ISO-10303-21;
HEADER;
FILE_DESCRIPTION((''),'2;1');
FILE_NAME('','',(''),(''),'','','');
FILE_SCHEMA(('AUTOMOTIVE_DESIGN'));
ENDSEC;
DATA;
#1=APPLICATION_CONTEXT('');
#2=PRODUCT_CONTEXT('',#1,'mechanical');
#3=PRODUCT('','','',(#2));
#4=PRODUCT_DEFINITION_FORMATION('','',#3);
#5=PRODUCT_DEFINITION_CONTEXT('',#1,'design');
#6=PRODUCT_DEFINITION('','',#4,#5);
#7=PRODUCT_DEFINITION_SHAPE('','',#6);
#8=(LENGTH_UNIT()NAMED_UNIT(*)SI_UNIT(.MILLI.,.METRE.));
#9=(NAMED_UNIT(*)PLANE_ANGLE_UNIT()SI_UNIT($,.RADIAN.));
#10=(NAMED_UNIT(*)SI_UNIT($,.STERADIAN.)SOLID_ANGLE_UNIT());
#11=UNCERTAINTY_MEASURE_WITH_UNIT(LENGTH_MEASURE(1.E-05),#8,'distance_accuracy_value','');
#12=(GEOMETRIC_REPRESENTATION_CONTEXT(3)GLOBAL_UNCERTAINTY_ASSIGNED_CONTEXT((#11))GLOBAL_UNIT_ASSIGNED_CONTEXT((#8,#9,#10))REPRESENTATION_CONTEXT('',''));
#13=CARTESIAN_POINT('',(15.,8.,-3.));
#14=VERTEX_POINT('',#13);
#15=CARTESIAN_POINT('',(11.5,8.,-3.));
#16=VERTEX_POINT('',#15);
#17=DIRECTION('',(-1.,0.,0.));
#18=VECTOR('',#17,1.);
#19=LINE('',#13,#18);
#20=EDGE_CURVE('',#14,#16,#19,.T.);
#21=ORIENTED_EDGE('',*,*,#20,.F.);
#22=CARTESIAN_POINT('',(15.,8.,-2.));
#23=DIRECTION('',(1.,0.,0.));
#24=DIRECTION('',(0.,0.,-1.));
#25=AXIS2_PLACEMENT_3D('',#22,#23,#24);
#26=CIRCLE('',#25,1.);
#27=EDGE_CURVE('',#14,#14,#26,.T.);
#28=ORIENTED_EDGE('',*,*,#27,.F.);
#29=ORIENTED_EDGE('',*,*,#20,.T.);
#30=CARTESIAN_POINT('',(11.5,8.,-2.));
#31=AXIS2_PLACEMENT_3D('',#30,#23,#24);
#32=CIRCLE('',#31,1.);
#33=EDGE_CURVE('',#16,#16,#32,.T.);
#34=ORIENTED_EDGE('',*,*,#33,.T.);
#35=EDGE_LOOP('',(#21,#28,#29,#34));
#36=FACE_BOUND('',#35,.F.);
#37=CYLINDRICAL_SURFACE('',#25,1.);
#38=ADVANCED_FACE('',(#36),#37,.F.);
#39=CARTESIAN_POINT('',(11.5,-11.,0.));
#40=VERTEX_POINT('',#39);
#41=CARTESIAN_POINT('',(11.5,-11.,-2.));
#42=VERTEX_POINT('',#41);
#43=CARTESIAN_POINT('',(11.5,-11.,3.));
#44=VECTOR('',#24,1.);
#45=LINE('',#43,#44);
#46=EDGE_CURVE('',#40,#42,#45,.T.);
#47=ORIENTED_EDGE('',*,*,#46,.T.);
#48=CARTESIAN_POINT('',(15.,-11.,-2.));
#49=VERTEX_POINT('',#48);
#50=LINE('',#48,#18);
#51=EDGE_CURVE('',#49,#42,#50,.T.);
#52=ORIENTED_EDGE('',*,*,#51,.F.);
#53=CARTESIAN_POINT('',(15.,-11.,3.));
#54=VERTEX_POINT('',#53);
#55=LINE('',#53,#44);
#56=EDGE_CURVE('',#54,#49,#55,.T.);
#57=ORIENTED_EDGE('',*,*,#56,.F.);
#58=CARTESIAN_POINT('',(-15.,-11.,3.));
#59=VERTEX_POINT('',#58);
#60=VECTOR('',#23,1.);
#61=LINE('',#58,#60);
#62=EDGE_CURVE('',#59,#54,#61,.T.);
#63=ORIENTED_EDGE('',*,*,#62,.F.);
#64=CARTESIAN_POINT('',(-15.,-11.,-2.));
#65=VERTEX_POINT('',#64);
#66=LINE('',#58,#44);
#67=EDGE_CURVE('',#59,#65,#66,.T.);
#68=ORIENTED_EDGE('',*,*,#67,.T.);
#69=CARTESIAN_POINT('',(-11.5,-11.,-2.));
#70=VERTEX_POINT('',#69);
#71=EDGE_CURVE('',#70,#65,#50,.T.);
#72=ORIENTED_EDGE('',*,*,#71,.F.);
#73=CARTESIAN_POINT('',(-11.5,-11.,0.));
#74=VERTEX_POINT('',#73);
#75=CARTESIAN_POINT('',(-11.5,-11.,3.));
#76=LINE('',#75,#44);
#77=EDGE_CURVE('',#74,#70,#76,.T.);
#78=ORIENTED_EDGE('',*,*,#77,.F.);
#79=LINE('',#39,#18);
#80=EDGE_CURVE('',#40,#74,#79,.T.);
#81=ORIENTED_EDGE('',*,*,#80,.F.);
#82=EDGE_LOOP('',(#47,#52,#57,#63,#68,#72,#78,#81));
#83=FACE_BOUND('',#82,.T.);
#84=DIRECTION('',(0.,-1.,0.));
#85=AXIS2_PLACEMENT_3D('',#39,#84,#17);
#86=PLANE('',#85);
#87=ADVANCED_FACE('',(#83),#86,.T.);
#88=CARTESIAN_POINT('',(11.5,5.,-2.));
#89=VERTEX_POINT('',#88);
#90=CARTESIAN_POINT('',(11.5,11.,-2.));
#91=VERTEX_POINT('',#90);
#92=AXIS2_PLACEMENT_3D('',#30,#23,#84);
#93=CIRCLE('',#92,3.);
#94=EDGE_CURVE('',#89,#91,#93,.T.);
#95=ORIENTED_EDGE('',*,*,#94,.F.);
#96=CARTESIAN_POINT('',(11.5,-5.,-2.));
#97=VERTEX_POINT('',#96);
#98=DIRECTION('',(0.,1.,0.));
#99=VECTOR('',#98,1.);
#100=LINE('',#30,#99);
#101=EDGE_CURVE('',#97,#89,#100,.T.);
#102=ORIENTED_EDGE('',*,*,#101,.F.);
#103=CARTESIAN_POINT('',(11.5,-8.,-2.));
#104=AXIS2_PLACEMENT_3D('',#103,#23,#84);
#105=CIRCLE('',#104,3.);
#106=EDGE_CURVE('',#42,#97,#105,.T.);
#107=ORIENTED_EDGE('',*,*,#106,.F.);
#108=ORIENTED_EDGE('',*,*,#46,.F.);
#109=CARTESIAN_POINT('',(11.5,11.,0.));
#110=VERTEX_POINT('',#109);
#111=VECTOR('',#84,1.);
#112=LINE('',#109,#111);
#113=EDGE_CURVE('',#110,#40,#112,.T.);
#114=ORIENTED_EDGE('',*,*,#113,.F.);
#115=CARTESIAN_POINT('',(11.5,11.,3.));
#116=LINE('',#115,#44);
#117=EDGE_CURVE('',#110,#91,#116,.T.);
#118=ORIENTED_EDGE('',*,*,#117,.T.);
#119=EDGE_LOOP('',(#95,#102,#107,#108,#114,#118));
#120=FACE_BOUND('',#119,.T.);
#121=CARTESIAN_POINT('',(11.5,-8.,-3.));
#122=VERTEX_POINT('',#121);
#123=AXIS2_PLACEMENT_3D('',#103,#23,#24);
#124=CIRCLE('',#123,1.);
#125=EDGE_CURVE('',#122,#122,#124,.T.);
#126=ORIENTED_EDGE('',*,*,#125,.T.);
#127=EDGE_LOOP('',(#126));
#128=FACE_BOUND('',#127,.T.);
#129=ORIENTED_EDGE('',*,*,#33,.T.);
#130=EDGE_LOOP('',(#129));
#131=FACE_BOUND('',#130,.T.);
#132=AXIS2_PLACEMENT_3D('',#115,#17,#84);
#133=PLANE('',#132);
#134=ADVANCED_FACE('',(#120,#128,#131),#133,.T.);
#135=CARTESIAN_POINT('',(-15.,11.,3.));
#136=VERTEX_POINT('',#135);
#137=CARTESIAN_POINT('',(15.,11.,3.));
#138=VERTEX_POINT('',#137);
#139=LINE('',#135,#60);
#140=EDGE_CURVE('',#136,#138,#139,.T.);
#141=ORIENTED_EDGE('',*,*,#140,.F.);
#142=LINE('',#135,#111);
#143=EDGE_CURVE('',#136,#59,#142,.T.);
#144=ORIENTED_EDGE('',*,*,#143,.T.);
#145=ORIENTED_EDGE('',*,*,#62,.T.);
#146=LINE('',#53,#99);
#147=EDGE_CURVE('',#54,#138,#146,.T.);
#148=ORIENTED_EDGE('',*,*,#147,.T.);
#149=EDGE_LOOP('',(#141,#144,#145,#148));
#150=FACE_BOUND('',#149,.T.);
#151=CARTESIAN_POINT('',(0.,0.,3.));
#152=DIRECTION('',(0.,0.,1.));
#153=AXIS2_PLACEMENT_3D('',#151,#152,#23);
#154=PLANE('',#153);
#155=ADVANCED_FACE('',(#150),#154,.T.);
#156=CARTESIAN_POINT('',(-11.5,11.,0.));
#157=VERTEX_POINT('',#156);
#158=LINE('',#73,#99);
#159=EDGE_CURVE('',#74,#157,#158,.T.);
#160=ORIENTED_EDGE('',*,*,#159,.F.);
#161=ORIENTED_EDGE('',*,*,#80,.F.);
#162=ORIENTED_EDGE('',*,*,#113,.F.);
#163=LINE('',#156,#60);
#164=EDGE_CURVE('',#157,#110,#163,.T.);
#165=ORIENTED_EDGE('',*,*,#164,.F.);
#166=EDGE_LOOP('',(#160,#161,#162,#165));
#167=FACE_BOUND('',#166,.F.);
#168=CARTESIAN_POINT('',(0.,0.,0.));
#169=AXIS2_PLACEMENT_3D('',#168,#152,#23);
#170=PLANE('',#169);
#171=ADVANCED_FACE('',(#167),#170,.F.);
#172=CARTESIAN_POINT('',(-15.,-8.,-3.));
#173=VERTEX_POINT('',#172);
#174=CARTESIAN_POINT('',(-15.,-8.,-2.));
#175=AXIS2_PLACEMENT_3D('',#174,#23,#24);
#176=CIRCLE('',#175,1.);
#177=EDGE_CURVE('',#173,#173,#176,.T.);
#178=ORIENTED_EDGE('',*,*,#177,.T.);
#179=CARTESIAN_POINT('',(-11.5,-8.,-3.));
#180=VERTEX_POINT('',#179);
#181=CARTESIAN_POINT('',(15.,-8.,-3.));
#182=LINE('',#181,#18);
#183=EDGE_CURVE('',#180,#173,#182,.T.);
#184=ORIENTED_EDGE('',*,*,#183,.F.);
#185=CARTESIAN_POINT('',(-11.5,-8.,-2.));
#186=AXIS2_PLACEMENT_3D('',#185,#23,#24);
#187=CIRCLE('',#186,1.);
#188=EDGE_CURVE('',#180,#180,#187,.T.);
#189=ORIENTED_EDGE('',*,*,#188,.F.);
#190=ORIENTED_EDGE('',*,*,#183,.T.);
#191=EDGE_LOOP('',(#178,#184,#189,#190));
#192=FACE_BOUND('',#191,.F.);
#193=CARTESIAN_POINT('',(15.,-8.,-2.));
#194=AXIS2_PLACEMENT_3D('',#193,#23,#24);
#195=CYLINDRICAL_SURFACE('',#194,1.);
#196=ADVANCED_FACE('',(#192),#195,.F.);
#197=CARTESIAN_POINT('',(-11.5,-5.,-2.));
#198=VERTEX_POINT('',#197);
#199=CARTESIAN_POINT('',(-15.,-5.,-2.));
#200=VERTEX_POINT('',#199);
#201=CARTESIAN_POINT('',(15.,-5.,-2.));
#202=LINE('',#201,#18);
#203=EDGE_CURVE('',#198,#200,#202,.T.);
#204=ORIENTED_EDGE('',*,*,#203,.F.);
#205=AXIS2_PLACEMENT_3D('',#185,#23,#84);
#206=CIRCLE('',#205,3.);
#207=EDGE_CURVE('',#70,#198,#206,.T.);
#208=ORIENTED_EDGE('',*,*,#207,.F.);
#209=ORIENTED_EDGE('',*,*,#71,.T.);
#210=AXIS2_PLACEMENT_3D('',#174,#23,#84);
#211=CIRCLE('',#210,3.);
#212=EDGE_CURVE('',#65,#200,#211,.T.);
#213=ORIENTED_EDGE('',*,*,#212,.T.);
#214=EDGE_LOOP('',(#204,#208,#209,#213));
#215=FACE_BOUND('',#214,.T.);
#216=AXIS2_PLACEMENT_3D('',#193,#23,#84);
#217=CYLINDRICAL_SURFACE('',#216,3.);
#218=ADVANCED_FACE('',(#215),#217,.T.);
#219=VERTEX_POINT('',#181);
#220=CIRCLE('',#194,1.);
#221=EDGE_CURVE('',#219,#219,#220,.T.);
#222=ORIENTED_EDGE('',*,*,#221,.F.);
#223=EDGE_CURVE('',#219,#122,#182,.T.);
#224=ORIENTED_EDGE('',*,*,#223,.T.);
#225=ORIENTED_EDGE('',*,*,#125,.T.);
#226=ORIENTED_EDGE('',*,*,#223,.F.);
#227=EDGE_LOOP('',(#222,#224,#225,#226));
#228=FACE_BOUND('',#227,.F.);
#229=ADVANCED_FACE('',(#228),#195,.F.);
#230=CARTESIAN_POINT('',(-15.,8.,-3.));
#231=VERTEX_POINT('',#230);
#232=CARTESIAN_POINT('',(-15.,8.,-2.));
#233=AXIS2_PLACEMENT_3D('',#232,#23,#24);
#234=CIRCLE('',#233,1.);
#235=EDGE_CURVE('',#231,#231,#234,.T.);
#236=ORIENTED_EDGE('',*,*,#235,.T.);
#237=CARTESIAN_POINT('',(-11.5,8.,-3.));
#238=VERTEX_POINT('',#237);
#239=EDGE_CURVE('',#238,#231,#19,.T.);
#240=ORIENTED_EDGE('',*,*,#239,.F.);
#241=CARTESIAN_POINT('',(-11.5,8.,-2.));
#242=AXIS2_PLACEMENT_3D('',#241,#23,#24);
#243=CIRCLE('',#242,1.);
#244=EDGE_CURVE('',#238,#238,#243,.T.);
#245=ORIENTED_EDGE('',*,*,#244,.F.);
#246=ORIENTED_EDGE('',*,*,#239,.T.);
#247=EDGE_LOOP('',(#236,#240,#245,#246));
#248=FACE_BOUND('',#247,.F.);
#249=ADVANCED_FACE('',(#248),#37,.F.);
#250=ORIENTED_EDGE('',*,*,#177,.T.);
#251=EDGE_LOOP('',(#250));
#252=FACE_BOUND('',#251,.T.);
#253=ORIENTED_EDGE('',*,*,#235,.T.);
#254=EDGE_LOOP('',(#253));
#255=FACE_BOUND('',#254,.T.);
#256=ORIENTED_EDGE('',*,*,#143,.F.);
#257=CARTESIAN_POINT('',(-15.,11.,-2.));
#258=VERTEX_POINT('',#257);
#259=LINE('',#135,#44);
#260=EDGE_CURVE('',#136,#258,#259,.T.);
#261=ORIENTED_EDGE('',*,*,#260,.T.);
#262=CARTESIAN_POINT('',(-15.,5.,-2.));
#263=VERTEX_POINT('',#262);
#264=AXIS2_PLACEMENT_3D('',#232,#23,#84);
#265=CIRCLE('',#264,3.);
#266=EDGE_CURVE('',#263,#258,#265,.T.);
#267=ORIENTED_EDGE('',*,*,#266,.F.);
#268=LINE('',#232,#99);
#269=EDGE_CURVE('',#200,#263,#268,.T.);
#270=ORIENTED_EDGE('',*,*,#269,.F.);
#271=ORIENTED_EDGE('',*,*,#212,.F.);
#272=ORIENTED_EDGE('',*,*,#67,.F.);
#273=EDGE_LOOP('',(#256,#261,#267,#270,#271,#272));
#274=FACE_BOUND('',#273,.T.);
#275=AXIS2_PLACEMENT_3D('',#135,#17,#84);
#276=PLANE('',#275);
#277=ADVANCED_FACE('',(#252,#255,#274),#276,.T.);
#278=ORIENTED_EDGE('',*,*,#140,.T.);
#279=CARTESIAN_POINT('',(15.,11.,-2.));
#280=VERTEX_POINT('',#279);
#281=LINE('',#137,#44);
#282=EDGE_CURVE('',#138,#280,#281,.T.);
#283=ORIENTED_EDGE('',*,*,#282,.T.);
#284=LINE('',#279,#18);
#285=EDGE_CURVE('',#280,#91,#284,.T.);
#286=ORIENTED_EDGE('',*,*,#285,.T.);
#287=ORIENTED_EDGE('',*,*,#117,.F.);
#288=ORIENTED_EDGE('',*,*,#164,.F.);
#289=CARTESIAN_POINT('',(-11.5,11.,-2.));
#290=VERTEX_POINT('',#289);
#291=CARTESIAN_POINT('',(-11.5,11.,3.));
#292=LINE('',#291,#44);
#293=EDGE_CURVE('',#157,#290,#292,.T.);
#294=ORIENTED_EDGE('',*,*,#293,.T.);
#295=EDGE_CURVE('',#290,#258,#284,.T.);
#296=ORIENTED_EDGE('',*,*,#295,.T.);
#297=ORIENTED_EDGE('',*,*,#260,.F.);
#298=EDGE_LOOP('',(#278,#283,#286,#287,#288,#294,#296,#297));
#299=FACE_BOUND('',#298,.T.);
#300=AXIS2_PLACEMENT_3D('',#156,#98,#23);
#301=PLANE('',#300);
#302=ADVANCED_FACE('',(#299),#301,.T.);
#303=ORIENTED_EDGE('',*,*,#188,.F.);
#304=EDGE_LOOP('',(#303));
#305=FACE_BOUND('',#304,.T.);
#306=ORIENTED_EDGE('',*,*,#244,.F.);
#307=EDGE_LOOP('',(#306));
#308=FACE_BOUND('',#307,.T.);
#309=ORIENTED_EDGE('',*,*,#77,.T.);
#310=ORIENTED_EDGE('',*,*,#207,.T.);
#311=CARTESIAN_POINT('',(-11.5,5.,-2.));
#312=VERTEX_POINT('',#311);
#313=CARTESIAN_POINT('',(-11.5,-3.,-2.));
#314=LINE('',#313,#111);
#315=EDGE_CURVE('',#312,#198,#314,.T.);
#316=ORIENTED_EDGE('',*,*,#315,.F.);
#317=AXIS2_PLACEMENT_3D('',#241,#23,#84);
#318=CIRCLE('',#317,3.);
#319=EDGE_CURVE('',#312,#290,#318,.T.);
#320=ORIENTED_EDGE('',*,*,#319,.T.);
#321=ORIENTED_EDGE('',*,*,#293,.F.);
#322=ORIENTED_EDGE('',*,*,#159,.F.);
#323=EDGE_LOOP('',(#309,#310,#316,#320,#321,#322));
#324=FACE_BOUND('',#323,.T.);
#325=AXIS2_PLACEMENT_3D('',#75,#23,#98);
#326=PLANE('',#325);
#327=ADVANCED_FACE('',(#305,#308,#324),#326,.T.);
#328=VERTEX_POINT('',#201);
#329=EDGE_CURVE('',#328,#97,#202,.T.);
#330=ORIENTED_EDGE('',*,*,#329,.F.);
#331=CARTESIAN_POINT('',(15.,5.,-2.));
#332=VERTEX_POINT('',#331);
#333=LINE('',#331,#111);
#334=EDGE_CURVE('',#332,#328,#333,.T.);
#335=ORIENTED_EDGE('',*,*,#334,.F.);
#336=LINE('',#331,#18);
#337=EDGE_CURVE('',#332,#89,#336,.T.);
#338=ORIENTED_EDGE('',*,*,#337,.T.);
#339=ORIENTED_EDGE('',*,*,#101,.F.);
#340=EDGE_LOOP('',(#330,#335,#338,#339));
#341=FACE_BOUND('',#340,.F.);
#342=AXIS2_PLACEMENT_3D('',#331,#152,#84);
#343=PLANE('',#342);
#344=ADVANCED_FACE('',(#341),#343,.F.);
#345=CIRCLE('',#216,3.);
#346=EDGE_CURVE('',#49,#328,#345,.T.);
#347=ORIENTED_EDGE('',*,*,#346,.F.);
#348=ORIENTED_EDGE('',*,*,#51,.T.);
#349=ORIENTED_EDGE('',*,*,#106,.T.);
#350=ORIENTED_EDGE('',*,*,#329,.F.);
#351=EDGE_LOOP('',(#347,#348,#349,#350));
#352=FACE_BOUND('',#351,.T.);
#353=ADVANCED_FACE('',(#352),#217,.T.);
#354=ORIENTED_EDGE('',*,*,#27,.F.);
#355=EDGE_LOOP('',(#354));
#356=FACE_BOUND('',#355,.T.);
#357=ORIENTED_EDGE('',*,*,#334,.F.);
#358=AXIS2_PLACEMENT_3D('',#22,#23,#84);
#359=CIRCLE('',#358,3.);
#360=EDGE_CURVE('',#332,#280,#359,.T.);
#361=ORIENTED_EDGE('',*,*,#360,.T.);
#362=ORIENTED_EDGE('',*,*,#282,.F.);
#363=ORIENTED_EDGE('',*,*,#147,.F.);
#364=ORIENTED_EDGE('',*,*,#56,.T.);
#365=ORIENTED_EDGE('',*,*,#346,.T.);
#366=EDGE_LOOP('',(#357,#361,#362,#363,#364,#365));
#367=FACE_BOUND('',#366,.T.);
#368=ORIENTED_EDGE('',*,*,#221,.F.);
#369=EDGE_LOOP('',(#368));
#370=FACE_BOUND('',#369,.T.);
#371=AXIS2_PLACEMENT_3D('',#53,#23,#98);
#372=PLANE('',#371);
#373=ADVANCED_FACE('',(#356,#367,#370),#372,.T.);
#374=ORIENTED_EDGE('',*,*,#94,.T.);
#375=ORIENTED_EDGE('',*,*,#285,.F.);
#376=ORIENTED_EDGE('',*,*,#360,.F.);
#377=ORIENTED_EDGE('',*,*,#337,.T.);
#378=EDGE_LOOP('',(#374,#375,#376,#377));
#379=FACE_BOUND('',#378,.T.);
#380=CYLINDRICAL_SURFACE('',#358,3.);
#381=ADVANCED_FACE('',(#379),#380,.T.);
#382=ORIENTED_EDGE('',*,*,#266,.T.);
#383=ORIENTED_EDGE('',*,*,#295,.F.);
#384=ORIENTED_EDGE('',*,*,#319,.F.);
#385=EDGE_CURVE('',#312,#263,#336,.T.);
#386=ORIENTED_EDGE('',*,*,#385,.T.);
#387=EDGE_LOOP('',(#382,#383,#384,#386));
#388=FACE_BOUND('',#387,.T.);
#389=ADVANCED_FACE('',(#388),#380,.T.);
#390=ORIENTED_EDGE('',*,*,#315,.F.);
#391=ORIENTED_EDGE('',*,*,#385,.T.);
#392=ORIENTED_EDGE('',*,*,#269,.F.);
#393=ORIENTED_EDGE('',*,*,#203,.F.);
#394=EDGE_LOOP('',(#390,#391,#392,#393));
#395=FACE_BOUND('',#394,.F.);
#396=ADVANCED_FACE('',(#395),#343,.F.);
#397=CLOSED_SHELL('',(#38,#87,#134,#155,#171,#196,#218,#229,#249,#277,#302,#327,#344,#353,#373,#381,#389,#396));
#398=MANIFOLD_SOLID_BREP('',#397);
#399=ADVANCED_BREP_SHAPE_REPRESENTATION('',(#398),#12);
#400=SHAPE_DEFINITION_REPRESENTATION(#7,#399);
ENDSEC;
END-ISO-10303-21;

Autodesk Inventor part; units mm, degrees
ref_plane "YZ Plane" through (0, 0, 0) normal (1, 0, 0) x (0, 1, 0)
ref_plane "XZ Plane" through (0, 0, 0) normal (0, 1, 0) x (-1, 0, 0)
ref_plane "XY Plane" through (0, 0, 0) normal (0, 0, 1) x (1, 0, 0)
sketch "Sketch1" plane through (0, 0, 0) normal (0, 0, 1) x (1, 0, 0)
  line L0 (-11.5, 11) -> (11.5, 11)
  line L1 (11.5, 11) -> (11.5, -11)
  line L2 (11.5, -11) -> (-11.5, -11)
  line L3 (-11.5, -11) -> (-11.5, 11)
  line L4 (-11.5, 11) -> (11.5, -11) construction
  line L5 (11.5, 11) -> (-11.5, -11) construction
  point P0 (0, 0)
  dimension "d0" = 23
  dimension "d1" = 22
extrude "Extrusion1" add sketch "Sketch1" along normal blind 3
sketch "Sketch2" plane through (0, 0, 3) normal (0, 0, 1) x (1, 0, 0)
  line L0 (11.5, 11) -> (-11.5, 11) projected
  line L1 (-11.5, 11) -> (-15, 11)
  line L2 (-15, 11) -> (-15, -11)
  line L3 (-15, -11) -> (-11.5, -11)
  line L4 (-11.5, -11) -> (-11.5, 11)
  line L5 (-11.5, -11) -> (11.5, -11) projected
  line L6 (11.5, -11) -> (15, -11)
  line L7 (15, -11) -> (15, 11)
  line L8 (15, 11) -> (11.5, 11)
  line L9 (11.5, 11) -> (11.5, -11)
  point P0 (0, 0)
  dimension "d4" = 3.5
  dimension "d5" = 3.5
extrude "Extrusion2" add sketch "Sketch2" against normal blind 8.5 contours L8 L7 L6 L9 | L4 L3 L2 L1
sketch "Sketch3" plane through (15, -11, 3) normal (1, 0, 0) x (0, 0, -1)
  line L0 (0, 0) -> (0, 22) construction
  line L1 (0, 22) -> (8.5, 22) construction
  line L2 (8.5, 22) -> (8.5, 0) construction
  line L3 (8.5, 0) -> (0, 0) construction
  circle A0 centre (5, 19) radius 1
  circle A1 centre (5, 3) radius 1
  line L4 (3, 22) -> (3, 0) construction
  arc A2 (5, 16) -> (5, 22) centre (5, 19) ccw
  line L5 (5, 22) -> (5, 0) construction
  arc A3 (5, 0) -> (5, 6) centre (5, 3) ccw
  line L6 (5, 16) -> (5, 6)
  line L7 (3, 22) -> (8.5, 22) projected
  line L8 (5, 0) -> (8.5, 0)
  line L9 (8.5, 0) -> (8.5, 22)
  line L10 (8.5, 22) -> (5, 22)
  point P0 (3, 11)
  point P1 (3, 11)
  dimension "d8" = 2
  dimension "d9" = 2
  dimension "d10" = 16
  dimension "d11" = 2
  dimension "d12" = 8
extrude "Extrusion3" cut sketch "Sketch3" against normal through all
sketch "Sketch4" plane through (15, -11, 3) normal (1, 0, 0) x (0, 0, -1)
  line L0 (0, 0) -> (0, 22) projected
  line L1 (0, 21.5) -> (5, 21.5)
  line L2 (5, 21.5) -> (5, 23.5)
  line L3 (5, 23.5) -> (0, 23.5)
  line L4 (0, 23.5) -> (0, 21.5)
  line L5 (0, 22) -> (5, 22) projected
  line L6 (0, 0.5) -> (5, 0.5)
  line L7 (5, 0.5) -> (5, -1.5)
  line L8 (5, -1.5) -> (0, -1.5)
  line L9 (0, -1.5) -> (0, 0.5)
  line L10 (0, 0) -> (5, 0) projected
  dimension "d21" = 5
  dimension "d22" = 2
  dimension "d23" = 0.5
  dimension "d24" = 5
  dimension "d25" = 2
  dimension "d26" = 0.5
extrude "Extrusion4" [suppressed]
equation "\"d12\" = 0.5 * d10"
properties part number "Motor_Base"
